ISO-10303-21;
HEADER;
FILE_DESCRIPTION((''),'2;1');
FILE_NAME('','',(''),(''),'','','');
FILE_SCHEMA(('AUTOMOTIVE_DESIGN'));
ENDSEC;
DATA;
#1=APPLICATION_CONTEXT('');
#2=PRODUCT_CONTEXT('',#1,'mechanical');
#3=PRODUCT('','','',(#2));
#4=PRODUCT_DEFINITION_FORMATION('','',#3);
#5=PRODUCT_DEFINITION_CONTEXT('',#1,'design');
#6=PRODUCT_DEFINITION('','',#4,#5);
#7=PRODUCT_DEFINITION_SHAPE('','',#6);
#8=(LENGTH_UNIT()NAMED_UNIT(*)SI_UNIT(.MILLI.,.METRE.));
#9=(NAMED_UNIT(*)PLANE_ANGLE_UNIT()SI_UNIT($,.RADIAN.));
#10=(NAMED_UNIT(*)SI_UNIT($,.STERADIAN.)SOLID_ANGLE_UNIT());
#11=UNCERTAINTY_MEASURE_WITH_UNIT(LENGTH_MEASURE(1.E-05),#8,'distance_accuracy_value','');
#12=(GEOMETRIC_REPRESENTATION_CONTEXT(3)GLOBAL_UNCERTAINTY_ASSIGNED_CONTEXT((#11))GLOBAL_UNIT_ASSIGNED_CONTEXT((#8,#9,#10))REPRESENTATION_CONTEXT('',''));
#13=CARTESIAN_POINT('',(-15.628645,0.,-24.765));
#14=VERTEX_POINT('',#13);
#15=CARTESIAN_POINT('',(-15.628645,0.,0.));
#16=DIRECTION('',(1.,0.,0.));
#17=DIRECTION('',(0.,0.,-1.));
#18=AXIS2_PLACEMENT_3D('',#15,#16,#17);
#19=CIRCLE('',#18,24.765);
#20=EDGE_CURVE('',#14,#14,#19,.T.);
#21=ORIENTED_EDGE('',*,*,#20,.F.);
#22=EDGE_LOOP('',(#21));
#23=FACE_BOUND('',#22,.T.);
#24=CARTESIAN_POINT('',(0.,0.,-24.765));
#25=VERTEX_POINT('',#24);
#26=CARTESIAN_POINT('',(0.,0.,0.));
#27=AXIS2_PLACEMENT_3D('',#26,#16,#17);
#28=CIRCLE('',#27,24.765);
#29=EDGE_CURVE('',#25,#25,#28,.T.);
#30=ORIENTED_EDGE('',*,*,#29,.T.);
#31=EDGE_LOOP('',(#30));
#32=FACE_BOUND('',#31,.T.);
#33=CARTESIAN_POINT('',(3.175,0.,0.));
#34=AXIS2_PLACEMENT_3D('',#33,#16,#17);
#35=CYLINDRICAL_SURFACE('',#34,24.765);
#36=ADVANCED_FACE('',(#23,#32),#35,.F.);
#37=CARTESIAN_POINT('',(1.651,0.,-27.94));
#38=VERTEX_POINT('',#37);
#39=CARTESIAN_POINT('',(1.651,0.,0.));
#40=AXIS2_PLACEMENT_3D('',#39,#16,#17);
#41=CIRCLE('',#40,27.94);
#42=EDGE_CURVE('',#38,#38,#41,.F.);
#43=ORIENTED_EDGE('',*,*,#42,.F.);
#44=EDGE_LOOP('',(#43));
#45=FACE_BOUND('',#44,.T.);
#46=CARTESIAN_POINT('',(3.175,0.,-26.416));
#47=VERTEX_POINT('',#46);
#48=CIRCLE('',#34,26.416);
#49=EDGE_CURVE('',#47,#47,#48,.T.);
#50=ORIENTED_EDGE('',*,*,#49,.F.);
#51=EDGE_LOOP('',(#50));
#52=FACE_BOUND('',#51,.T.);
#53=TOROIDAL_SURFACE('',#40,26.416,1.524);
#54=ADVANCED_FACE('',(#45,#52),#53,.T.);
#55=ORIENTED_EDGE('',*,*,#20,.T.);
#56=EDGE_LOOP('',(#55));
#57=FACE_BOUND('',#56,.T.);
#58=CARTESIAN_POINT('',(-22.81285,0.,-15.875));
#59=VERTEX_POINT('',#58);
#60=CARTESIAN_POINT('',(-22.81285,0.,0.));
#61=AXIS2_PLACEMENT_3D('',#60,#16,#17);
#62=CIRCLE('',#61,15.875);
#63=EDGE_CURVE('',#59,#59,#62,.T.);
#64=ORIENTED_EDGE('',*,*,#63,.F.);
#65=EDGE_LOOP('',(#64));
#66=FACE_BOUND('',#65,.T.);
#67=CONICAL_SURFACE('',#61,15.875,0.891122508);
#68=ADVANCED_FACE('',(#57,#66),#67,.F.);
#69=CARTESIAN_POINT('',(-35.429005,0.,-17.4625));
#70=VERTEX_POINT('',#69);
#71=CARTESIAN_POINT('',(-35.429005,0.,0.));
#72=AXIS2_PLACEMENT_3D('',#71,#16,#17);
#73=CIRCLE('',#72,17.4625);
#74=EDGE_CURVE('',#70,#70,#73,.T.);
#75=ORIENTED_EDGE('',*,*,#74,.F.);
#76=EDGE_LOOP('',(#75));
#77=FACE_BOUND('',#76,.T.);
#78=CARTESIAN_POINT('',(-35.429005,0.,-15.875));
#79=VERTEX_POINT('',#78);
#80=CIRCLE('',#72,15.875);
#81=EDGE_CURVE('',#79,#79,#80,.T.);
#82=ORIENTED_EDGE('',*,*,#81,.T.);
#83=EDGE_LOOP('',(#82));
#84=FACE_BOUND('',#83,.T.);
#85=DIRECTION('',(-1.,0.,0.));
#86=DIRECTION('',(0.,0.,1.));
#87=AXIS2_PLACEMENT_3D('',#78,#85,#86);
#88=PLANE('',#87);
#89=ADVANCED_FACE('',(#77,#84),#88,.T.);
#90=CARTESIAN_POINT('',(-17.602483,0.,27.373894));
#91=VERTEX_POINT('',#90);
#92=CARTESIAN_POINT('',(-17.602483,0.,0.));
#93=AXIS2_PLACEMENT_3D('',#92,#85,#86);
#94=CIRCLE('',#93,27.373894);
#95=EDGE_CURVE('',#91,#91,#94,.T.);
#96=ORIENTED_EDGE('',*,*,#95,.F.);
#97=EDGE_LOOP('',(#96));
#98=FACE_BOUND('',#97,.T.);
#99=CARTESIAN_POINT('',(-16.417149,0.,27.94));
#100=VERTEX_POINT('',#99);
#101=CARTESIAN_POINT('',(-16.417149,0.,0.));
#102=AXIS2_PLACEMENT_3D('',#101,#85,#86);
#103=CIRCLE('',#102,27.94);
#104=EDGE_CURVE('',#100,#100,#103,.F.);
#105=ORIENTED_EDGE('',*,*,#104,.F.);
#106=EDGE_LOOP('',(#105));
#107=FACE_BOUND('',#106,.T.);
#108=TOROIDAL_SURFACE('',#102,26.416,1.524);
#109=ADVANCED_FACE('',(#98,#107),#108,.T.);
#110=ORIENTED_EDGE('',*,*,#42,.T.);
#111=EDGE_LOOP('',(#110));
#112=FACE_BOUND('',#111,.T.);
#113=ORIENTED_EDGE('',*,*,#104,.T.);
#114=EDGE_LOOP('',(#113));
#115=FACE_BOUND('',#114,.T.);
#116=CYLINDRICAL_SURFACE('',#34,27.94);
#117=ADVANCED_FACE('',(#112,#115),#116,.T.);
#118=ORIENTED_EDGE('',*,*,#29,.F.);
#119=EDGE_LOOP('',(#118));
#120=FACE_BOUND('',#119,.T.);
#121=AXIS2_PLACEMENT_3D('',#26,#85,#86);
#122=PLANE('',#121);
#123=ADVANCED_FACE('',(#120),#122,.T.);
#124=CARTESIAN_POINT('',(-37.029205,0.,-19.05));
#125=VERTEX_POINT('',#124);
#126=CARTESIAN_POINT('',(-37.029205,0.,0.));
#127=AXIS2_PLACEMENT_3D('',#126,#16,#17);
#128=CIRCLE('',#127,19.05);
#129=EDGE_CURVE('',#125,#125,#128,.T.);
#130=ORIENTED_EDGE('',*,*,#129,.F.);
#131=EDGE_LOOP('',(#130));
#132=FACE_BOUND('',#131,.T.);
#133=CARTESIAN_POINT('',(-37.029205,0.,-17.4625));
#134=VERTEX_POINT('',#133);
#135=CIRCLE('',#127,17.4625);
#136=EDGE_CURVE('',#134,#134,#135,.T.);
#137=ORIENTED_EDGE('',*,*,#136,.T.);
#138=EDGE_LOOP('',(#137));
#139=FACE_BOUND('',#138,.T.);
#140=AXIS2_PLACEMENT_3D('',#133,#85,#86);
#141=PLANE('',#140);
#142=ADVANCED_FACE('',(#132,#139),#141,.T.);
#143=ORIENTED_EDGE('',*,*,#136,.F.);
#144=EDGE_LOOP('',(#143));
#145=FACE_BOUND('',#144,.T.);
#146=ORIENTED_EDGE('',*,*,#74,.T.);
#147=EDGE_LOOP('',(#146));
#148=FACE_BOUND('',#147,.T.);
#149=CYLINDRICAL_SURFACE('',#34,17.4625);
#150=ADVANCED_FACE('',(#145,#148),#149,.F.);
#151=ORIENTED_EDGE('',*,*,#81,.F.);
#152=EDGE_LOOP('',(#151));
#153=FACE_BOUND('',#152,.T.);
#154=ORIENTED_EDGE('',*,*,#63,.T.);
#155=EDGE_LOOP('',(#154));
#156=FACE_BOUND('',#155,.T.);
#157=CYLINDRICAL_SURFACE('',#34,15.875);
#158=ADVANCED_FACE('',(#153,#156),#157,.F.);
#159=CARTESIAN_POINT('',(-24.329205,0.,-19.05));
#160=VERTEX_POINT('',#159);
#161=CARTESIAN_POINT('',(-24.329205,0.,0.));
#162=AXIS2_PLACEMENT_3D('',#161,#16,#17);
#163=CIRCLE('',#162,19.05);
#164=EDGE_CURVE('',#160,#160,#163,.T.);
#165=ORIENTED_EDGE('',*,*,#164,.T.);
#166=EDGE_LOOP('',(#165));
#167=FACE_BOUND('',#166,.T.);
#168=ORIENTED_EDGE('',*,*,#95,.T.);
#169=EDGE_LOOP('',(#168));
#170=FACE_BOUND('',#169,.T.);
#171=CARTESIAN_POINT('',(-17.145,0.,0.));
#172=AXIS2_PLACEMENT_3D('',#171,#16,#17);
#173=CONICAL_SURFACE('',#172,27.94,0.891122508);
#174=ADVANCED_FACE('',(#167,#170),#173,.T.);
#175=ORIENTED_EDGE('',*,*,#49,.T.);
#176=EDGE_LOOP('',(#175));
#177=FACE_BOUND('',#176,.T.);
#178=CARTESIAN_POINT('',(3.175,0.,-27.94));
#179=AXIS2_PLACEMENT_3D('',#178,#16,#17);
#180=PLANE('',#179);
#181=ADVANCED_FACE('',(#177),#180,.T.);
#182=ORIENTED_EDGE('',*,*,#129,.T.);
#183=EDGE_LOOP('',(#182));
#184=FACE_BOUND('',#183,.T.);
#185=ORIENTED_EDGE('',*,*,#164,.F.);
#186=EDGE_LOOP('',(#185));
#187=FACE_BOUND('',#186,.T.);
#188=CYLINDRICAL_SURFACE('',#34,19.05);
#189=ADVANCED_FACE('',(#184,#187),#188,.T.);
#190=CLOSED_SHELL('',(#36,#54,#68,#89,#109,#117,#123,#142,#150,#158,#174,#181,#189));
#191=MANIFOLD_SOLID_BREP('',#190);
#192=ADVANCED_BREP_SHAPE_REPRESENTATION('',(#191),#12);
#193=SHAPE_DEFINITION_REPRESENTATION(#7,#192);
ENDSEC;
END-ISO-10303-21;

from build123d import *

# Parameters (mm, degrees)
FILLET1_R = 1.524


with BuildPart() as part:
    # Sketch1 → Revolve1 (revolve)
    with BuildSketch(Plane(origin=(0, 0, 0), x_dir=(1, 0, 0), z_dir=(0, 1, 0))):
        Polygon((-37.029204897, 17.4625), (-37.029204897, 19.05), (-24.329204897, 19.05), (-17.145, 27.94), (3.175, 27.94), (3.175, 0), (0, 0), (0, 24.765), (-15.628644606, 24.765), (-22.812849503, 15.875), (-35.429004897, 15.875), (-35.429004897, 17.4625), align=None)
    revolve(axis=Axis((3.175, 0, 0), (-1, 0, 0)))

    # Fillet1
    fillet1_edges = [part.edges().sort_by_distance(p)[0] for p in [
        (3.175, 0, 27.94),
        (-17.145, 0, 27.94),
    ]]
    fillet(fillet1_edges, radius=FILLET1_R)


solid = part.part
